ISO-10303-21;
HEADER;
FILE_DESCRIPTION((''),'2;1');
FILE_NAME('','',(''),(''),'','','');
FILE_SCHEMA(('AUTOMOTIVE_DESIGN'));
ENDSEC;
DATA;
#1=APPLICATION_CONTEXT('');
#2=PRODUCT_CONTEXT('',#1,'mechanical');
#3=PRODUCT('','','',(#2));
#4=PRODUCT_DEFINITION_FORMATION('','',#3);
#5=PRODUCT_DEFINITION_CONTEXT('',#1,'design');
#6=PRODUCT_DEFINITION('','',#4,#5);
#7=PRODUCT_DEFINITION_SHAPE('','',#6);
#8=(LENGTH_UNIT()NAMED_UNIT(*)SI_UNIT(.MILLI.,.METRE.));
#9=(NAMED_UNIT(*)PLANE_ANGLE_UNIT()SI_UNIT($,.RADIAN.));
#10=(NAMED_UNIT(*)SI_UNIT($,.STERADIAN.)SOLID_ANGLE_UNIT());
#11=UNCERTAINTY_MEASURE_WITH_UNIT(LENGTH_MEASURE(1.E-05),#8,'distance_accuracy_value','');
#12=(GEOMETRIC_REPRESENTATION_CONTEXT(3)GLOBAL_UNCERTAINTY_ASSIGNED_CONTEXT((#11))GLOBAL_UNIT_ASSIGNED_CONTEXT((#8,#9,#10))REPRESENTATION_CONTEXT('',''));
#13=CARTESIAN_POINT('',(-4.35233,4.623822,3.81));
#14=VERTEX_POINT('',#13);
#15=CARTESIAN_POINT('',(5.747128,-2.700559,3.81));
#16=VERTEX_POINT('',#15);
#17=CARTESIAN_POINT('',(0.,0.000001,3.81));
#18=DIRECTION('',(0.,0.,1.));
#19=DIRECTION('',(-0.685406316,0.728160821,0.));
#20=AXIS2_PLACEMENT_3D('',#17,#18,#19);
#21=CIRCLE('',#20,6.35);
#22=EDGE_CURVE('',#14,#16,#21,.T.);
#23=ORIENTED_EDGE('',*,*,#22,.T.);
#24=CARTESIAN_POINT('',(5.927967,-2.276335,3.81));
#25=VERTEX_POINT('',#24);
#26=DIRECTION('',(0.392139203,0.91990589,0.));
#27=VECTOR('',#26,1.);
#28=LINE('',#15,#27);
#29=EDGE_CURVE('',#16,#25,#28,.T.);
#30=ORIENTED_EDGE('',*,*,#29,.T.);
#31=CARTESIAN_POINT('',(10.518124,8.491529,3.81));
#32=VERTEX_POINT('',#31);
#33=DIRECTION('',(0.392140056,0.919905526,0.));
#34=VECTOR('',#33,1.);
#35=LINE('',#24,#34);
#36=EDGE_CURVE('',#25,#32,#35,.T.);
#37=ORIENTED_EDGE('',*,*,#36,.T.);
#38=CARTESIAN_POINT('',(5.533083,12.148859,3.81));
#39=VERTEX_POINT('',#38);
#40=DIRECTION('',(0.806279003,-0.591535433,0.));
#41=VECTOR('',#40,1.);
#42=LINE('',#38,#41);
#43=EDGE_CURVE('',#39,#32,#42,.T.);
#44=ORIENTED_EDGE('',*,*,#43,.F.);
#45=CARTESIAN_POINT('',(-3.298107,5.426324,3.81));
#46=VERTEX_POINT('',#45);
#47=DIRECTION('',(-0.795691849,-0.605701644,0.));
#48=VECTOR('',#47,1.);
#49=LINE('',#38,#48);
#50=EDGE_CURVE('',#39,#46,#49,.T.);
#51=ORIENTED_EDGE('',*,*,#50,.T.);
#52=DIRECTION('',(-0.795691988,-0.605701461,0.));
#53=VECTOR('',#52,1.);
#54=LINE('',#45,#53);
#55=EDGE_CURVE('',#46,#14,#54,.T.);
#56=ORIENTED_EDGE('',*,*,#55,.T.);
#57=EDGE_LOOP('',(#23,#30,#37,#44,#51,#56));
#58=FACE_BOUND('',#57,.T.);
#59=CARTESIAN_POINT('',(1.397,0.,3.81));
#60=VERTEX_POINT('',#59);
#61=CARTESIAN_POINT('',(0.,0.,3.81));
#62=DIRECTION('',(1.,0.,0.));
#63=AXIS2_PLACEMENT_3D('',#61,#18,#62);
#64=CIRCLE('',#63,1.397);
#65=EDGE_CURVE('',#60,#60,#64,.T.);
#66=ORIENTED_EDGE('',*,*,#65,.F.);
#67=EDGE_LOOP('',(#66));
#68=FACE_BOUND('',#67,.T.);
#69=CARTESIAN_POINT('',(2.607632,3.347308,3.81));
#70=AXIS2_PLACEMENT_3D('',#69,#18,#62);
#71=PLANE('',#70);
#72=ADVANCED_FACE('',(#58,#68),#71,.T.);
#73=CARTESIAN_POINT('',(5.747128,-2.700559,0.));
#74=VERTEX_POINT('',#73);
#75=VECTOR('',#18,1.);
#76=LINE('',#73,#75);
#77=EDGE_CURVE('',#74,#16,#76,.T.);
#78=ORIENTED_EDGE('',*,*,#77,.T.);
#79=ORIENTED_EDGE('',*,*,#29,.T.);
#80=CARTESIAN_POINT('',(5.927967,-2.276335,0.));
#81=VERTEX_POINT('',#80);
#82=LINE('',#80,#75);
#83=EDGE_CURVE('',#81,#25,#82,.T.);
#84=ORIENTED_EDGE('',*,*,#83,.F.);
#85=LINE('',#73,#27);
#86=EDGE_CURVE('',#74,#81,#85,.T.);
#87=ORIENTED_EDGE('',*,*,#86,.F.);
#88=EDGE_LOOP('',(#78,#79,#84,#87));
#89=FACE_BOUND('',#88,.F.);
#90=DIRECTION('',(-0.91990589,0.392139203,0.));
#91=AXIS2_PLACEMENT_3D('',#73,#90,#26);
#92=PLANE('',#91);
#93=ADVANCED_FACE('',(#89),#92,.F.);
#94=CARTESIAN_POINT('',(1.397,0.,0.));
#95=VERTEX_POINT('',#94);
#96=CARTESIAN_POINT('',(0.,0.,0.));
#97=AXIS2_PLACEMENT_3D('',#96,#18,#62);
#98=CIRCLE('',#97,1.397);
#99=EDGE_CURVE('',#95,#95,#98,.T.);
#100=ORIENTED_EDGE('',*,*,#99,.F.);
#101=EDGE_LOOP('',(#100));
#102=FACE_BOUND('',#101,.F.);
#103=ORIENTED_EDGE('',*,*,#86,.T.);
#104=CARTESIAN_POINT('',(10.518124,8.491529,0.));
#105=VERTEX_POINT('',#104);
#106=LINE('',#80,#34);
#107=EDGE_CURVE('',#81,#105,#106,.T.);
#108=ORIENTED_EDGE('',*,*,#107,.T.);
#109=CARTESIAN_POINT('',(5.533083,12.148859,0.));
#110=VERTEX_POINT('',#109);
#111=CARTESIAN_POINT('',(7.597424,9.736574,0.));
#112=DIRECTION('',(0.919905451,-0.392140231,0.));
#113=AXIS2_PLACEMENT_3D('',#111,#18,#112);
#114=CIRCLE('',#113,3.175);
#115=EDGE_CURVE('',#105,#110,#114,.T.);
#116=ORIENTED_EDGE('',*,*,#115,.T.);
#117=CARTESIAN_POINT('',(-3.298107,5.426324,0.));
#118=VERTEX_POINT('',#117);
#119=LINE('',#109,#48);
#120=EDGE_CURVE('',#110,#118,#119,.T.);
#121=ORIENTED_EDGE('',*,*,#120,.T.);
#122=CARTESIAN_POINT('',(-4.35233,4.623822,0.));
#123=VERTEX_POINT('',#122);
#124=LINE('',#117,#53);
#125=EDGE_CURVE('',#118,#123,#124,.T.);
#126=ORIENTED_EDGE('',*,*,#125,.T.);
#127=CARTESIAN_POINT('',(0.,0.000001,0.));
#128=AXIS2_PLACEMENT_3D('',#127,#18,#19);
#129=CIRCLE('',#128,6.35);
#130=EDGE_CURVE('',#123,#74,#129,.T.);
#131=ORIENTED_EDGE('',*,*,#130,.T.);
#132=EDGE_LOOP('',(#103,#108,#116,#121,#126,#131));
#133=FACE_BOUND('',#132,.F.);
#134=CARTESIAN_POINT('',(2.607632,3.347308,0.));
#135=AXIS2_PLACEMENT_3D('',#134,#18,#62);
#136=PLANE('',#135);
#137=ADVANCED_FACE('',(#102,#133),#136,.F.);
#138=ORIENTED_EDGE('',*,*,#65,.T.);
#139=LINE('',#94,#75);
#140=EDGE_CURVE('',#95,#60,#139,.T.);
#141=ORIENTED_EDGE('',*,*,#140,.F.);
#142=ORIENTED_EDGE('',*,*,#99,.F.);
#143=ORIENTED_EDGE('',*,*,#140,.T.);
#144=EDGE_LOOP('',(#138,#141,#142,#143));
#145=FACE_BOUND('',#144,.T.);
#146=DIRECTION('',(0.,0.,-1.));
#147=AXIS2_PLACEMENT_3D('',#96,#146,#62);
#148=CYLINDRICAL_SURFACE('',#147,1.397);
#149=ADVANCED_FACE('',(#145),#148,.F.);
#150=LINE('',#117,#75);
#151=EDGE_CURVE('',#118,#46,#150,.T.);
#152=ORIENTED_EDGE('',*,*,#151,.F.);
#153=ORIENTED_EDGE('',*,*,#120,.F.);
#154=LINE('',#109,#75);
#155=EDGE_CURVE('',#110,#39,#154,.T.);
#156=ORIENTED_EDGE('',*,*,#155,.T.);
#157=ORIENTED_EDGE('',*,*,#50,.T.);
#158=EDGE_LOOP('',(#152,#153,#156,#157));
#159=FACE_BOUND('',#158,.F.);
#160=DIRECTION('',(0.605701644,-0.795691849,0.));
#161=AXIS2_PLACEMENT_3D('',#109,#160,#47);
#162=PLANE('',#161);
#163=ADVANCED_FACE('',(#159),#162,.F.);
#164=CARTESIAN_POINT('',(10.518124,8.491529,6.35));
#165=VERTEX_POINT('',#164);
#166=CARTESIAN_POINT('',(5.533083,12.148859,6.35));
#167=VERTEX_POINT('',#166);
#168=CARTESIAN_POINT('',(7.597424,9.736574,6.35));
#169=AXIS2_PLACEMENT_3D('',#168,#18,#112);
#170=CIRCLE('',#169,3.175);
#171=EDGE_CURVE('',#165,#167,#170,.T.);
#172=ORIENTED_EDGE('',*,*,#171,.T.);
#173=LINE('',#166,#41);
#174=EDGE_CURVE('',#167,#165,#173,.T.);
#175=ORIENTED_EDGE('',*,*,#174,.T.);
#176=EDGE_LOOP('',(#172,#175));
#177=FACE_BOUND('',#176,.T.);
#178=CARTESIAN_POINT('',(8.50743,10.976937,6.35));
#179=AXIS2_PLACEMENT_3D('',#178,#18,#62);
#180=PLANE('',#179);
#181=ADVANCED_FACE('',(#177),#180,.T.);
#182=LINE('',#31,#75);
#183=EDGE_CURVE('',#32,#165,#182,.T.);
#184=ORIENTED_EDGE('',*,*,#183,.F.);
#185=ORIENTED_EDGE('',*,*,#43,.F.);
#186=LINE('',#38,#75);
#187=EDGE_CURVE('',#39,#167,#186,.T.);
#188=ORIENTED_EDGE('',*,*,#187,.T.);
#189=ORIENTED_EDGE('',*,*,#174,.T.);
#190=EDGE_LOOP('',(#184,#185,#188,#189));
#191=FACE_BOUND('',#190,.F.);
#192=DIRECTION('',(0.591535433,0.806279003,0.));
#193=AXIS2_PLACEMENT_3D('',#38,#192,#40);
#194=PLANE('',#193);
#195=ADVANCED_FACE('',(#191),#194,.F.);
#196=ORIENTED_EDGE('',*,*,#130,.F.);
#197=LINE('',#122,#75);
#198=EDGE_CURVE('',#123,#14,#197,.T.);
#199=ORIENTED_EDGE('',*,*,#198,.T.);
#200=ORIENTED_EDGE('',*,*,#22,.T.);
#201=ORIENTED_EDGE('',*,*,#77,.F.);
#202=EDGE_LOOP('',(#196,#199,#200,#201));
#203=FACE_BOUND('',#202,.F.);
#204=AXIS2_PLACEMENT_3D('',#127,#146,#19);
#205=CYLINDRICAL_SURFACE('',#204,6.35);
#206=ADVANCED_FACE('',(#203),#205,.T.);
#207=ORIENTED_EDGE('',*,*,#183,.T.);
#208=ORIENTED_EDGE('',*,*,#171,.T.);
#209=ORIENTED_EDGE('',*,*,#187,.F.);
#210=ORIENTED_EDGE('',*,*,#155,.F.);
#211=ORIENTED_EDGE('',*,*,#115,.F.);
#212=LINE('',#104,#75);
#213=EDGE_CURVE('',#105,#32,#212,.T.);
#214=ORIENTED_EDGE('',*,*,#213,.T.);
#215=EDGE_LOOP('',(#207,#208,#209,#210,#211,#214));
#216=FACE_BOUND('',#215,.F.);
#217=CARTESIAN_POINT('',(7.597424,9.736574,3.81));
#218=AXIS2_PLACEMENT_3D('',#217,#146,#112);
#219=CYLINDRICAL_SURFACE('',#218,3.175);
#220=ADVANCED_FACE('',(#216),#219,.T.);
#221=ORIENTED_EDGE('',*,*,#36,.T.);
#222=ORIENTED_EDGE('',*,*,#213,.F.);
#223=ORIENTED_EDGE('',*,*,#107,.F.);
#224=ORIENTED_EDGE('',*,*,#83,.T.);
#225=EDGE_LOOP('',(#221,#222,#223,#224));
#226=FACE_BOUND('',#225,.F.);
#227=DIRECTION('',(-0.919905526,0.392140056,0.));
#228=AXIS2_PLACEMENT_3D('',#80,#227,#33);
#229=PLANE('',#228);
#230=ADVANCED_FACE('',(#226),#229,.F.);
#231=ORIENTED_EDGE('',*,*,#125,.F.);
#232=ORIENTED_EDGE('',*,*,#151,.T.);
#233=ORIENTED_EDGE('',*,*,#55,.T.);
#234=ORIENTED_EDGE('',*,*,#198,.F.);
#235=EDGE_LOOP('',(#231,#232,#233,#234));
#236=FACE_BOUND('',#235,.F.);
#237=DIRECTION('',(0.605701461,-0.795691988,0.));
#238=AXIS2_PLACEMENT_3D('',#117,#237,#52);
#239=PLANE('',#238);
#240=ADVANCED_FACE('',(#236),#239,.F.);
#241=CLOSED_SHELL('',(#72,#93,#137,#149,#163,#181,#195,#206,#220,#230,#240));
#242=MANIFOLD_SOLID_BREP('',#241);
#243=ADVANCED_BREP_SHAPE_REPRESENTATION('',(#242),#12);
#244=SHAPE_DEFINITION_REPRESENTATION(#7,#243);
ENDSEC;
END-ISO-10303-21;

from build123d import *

# Parameters (mm, degrees)
F0_R     = 1.397
F1_DEPTH = 3.81
F3_DEPTH = 2.54


with BuildPart() as f1:
    # F0 (on Top) → F1 (new body)
    with BuildSketch(Plane.XY):
        with BuildLine():
            Line((5.533083, 12.148859), (-3.298107, 5.426324))
            Line((-3.298107, 5.426324), (-4.35233, 4.623822))
            ThreePointArc((-4.35233, 4.623822), (-3.728002, -5.140476), (5.747128, -2.700559))
            Line((5.747128, -2.700559), (5.927967, -2.276335))
            Line((5.927967, -2.276335), (10.518124, 8.491529))
            ThreePointArc((10.518124, 8.491529), (9.475549, 12.29651), (5.533083, 12.148859))
        make_face()
        Circle(F0_R, mode=Mode.SUBTRACT)
    extrude(amount=F1_DEPTH)

    # F2 (on face) → F3 (join)
    with BuildSketch(Plane.XY.offset(3.81)):
        with BuildLine():
            Line((5.533083, 12.148859), (10.518124, 8.491529))
            ThreePointArc((10.518124, 8.491529), (9.475549, 12.29651), (5.533083, 12.148859))
        make_face()
    extrude(amount=F3_DEPTH)


solid = f1.part
